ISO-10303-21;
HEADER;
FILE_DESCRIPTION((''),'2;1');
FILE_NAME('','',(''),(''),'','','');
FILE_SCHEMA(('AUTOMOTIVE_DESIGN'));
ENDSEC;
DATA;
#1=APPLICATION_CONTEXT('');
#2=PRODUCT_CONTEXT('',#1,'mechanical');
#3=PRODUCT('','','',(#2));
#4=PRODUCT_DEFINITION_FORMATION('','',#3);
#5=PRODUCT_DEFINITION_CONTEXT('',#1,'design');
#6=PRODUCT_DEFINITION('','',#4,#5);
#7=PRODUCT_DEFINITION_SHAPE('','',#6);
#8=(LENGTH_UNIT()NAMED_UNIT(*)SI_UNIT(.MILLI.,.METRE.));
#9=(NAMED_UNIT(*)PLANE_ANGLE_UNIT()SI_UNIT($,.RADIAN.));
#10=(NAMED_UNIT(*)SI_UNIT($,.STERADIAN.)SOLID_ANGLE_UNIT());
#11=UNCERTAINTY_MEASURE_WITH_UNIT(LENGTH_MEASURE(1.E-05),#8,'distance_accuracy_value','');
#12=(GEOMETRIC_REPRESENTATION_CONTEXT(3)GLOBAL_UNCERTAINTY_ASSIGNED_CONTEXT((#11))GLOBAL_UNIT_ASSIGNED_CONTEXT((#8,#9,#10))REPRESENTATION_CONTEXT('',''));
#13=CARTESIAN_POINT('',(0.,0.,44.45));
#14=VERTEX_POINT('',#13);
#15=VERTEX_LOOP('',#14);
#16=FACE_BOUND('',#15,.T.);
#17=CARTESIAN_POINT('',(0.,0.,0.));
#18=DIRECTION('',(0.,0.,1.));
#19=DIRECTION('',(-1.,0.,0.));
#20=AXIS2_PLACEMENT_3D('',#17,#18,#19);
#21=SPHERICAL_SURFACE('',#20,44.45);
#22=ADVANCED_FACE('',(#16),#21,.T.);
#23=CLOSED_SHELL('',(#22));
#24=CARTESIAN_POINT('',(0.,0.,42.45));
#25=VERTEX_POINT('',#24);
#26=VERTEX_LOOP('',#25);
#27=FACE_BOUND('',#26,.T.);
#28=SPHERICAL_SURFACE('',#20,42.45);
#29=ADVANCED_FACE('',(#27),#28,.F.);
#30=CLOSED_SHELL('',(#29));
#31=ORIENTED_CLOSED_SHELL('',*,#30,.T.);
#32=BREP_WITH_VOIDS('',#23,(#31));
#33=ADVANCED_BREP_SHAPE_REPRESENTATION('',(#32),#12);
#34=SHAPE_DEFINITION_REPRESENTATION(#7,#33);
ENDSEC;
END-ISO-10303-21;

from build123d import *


with BuildPart() as part:
    # Sketch1 → Revolve1 (revolve)
    with BuildSketch(Plane(origin=(0, 0, 0), x_dir=(1, 0, 0), z_dir=(0, 1, 0))):
        with BuildLine():
            ThreePointArc((0, 44.45), (-44.45, 0), (0, -44.45))
            Line((0, -44.45), (0, -42.45))
            ThreePointArc((0, -42.45), (-42.45, 0), (0, 42.45))
            Line((0, 42.45), (0, 44.45))
        make_face()
    revolve(axis=Axis((0, 0, 44.45), (0, 0, -1)))


solid = part.part
